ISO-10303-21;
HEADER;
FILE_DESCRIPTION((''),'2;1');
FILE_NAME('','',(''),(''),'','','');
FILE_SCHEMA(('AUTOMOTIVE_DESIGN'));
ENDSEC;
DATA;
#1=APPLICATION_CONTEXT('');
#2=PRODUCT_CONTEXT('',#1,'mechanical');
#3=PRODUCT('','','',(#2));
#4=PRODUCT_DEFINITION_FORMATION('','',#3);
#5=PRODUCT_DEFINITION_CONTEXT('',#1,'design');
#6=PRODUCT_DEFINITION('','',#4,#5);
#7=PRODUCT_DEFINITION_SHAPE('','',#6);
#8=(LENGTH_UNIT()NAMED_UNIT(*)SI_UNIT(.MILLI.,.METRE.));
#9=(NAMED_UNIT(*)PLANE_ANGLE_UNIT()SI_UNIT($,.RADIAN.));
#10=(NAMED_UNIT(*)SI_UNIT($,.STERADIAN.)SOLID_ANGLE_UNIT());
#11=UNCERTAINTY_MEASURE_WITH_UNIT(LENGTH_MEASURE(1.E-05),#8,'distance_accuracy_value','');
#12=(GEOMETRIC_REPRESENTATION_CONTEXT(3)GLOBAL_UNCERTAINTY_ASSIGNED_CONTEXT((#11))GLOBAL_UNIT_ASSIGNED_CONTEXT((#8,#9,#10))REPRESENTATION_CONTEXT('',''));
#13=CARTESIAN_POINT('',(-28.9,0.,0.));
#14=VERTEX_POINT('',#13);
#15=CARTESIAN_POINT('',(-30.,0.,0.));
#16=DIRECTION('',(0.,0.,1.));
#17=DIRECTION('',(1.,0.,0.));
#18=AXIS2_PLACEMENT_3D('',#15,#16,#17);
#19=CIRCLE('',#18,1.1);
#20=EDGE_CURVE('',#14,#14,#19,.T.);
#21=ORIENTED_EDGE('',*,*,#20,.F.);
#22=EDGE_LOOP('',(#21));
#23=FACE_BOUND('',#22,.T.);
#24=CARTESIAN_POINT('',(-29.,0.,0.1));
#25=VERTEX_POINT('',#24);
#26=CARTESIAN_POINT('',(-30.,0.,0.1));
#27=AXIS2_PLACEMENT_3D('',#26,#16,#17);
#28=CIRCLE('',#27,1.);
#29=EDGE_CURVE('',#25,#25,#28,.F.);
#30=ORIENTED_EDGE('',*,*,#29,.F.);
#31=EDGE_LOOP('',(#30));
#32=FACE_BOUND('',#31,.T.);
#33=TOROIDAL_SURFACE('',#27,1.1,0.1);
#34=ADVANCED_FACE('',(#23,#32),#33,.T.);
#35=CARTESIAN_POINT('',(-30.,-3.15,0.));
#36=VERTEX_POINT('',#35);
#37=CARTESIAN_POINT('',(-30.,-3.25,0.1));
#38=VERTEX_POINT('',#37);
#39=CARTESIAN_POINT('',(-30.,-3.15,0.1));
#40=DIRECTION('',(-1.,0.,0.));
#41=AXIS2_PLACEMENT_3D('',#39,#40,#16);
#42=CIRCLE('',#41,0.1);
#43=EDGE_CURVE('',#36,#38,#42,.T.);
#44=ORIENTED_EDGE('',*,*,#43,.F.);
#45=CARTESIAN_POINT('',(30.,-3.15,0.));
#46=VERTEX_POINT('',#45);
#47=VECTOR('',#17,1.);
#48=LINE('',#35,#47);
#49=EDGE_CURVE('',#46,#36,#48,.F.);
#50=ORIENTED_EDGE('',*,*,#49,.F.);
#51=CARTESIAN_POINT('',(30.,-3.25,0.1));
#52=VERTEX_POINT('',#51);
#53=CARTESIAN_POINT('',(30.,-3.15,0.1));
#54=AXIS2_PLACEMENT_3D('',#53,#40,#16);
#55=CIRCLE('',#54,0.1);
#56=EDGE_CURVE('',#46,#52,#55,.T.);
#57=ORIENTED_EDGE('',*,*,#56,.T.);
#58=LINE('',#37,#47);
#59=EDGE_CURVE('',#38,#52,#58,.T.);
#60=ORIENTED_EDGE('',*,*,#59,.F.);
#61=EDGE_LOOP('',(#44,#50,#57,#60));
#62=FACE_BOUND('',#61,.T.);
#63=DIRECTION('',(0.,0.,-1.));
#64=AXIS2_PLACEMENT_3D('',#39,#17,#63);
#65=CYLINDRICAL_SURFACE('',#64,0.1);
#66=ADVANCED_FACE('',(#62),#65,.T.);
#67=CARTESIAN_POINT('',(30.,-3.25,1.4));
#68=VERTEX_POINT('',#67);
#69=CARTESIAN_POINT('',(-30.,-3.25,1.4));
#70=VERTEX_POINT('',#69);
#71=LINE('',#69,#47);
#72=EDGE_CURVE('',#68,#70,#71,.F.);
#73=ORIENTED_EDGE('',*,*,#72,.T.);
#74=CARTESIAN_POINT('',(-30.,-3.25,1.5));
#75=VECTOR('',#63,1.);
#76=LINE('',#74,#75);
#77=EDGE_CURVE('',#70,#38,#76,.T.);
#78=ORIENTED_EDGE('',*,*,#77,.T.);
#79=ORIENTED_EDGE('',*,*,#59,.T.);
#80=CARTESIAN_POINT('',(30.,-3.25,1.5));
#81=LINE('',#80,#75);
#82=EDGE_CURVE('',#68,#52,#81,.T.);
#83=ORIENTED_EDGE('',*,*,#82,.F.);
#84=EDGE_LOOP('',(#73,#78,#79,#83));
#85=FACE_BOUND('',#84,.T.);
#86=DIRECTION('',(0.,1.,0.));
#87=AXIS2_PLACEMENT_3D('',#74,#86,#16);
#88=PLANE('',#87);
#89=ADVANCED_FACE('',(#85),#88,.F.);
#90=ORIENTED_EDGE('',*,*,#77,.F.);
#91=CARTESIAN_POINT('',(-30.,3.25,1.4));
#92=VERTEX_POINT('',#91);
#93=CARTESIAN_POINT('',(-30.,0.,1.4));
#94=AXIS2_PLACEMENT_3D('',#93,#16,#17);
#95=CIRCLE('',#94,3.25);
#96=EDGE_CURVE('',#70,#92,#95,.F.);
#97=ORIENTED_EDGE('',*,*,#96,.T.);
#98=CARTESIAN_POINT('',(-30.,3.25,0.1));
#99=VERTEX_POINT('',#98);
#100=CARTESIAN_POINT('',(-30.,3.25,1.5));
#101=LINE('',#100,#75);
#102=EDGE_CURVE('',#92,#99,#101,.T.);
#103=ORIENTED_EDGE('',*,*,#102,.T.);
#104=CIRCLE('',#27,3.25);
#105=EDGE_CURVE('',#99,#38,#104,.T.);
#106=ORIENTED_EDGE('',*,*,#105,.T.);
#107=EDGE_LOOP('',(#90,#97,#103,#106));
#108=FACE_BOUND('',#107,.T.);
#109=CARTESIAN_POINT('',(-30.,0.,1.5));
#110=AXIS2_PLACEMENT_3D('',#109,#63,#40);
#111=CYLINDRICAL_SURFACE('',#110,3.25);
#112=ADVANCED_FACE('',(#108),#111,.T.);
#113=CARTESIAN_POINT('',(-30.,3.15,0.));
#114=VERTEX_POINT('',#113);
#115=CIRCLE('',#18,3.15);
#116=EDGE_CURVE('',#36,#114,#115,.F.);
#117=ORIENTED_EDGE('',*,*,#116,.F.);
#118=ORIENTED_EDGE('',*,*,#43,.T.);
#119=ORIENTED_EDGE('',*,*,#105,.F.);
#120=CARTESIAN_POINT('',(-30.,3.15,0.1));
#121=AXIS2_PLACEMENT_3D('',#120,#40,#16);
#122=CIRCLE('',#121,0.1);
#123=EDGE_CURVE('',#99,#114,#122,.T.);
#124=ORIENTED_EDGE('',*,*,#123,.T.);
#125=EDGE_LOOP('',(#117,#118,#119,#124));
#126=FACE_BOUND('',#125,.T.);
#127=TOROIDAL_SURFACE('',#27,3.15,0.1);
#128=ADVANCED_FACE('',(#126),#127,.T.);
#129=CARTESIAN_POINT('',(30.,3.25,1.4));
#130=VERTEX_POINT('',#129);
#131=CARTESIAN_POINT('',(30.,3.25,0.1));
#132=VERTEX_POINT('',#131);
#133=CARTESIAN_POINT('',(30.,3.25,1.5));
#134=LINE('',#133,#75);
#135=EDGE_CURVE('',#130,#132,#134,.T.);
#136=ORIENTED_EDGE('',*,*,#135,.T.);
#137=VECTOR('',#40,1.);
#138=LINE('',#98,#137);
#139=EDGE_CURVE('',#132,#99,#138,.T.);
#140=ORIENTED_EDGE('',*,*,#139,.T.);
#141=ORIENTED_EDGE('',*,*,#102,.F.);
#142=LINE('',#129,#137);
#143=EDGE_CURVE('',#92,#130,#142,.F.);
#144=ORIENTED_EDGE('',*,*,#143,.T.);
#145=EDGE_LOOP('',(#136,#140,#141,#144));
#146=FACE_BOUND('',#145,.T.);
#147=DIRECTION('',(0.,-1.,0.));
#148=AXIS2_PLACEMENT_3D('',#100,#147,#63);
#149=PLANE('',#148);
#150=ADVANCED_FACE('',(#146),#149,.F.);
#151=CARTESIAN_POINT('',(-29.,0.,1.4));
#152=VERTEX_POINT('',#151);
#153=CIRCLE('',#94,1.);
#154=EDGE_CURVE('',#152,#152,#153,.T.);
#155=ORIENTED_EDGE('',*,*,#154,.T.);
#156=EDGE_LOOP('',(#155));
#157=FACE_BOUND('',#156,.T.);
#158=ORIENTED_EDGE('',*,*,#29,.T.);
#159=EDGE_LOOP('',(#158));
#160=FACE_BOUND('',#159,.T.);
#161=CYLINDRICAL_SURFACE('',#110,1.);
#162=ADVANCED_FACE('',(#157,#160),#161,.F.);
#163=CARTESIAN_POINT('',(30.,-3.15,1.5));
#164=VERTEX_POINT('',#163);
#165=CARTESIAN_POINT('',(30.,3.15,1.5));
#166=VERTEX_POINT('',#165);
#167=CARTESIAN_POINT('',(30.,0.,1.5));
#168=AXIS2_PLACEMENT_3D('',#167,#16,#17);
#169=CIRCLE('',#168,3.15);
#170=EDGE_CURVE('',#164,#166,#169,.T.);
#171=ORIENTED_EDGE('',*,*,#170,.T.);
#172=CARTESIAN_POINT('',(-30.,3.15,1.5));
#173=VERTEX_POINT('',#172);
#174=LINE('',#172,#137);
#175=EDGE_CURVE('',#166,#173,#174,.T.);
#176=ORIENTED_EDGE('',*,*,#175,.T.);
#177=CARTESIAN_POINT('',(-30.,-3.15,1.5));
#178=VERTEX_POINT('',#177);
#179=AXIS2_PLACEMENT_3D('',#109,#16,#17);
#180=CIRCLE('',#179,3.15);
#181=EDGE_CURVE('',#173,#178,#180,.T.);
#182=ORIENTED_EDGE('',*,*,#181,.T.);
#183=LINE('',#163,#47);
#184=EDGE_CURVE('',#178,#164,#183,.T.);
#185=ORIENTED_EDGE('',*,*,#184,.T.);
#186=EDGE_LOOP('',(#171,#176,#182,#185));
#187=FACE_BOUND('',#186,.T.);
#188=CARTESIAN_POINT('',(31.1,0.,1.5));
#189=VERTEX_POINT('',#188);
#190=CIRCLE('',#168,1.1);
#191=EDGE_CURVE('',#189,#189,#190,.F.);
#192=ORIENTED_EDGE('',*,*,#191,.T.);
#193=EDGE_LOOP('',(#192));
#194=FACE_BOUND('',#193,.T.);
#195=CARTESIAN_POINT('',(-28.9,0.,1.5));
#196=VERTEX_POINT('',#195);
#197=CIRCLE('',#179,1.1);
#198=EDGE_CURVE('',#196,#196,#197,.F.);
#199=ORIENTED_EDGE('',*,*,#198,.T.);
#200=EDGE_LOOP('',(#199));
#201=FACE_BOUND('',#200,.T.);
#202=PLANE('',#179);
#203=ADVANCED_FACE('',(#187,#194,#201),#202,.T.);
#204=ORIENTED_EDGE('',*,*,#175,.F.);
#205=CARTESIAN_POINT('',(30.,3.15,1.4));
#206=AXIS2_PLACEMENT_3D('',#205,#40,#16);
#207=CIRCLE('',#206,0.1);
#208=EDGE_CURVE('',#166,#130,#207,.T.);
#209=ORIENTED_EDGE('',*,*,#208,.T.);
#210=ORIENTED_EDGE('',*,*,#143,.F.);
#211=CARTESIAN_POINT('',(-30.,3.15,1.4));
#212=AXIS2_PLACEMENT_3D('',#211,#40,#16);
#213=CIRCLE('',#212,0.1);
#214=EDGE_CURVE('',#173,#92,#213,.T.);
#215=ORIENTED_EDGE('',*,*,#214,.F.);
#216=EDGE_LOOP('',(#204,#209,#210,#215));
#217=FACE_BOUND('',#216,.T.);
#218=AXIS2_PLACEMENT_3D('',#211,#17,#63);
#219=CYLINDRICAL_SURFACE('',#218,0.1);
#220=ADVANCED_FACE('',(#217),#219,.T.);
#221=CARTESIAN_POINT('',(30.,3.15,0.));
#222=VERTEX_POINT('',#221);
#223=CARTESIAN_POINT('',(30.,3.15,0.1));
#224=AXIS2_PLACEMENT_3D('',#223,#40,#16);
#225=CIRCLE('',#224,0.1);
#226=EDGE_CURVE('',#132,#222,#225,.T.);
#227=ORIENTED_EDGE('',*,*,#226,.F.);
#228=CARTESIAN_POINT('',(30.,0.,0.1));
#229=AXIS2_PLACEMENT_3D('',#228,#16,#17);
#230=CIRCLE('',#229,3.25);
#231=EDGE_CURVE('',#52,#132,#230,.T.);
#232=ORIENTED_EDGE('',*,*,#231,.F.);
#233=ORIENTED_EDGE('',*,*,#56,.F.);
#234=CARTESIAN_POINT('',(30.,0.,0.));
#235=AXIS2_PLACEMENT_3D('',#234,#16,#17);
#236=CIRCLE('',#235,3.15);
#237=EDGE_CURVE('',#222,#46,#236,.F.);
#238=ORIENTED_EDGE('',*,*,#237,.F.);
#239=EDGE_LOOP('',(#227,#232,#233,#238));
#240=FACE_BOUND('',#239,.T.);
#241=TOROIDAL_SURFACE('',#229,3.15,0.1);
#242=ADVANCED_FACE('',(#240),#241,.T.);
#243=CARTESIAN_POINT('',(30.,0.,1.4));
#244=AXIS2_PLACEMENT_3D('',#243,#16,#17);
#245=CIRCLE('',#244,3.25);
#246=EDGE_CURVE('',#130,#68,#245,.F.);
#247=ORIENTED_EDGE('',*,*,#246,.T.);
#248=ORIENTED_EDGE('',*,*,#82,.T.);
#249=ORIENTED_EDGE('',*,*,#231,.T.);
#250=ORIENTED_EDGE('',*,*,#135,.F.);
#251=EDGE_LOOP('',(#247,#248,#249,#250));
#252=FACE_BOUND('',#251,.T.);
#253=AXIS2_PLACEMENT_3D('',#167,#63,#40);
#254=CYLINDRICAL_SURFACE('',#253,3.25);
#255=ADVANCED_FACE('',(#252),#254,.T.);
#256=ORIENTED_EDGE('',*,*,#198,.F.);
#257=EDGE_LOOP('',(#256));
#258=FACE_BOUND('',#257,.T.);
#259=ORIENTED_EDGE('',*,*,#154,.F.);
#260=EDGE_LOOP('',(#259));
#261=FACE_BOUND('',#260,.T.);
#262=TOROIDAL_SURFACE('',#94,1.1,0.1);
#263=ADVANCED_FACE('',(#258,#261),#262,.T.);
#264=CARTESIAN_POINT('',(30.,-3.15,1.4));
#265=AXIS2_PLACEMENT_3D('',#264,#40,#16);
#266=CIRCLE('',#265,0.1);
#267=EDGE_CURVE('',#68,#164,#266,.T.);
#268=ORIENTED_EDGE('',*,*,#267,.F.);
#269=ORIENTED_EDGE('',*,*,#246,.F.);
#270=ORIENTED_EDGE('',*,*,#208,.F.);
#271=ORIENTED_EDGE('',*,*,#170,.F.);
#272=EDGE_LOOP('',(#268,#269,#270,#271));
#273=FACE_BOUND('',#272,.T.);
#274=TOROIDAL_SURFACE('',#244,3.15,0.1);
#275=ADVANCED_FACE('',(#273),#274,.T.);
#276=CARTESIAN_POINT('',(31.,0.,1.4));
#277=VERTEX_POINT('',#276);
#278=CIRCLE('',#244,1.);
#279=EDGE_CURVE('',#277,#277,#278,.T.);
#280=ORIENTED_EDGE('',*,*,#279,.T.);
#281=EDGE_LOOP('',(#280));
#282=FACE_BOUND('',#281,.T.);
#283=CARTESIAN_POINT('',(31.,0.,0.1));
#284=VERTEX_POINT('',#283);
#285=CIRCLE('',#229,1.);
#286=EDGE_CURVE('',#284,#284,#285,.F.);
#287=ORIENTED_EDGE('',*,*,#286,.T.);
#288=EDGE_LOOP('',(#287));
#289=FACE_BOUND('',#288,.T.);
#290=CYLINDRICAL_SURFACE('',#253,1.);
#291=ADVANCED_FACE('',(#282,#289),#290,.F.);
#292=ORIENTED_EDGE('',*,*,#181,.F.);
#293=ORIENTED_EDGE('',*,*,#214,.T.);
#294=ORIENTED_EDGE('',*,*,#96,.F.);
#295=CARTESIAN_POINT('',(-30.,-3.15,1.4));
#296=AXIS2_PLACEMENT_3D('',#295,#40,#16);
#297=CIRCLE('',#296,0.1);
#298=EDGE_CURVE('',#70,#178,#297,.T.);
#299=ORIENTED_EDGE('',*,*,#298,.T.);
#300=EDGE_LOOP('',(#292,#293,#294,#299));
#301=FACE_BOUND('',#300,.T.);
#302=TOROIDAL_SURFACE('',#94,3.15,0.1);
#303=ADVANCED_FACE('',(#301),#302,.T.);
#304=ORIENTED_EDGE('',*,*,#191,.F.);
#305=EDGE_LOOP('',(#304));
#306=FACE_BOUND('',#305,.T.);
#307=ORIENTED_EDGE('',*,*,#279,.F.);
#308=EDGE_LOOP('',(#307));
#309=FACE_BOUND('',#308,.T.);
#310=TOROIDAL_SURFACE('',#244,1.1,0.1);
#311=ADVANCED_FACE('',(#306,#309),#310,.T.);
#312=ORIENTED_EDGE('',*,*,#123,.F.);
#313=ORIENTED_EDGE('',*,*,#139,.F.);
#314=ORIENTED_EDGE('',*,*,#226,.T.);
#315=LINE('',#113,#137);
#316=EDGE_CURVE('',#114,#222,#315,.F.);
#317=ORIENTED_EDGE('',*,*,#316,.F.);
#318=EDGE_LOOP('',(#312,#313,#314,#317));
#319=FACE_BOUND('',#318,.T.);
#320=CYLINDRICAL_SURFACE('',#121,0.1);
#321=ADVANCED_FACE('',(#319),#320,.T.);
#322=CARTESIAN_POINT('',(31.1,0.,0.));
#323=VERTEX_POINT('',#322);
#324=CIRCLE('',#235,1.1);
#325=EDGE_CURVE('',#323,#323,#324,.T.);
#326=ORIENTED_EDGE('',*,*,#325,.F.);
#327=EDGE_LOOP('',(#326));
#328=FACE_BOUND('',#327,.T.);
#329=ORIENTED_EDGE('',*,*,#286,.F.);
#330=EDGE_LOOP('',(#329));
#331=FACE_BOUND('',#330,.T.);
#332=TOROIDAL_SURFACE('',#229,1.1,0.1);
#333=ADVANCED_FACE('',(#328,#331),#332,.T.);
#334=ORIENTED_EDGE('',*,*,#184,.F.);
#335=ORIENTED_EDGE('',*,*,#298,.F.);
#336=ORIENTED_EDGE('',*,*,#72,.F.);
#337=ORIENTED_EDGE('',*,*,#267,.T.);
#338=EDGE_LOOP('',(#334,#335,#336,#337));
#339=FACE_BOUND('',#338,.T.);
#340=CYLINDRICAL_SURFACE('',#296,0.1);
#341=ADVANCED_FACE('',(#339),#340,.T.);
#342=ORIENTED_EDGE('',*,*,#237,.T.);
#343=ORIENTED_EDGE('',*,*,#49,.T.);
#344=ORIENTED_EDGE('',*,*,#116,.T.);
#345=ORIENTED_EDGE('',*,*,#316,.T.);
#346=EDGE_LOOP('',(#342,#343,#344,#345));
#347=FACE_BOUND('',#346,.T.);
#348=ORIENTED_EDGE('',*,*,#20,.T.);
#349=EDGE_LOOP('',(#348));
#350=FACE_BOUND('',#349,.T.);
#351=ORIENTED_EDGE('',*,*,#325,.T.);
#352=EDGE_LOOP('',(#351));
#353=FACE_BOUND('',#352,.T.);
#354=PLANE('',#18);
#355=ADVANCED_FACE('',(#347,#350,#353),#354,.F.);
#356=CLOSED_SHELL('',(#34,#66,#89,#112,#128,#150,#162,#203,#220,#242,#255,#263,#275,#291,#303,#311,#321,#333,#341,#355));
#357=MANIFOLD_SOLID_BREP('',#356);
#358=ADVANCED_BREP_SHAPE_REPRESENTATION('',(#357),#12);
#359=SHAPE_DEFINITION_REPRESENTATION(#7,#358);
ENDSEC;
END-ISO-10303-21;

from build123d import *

# Parameters (mm, degrees)
SKETCH1_R           = 1
BOSS_EXTRUDE1_DEPTH = 1.5
FILLET1_R           = 0.1


with BuildPart() as part:
    # Sketch1 → Boss-Extrude1 (new body)
    with BuildSketch(Plane.XY):
        with BuildLine():
            Line((-30, 3.25), (30, 3.25))
            ThreePointArc((30, 3.25), (33.25, 0), (30, -3.25))
            Line((30, -3.25), (-30, -3.25))
            ThreePointArc((-30, -3.25), (-33.25, 0), (-30, 3.25))
        make_face()
        with Locations((-30, 0)):
            Circle(SKETCH1_R, mode=Mode.SUBTRACT)
        with Locations((30, 0)):
            Circle(SKETCH1_R, mode=Mode.SUBTRACT)
    extrude(amount=BOSS_EXTRUDE1_DEPTH)

    # Fillet1
    fillet1_edges = [part.edges().sort_by_distance(p)[0] for p in [
        (33.25, 0, 1.5),
        (-31, 0, 0),
        (-31, 0, 1.5),
        (0, 3.25, 1.5),
        (29, 0, 0),
        (29, 0, 1.5),
        (-33.25, 0, 1.5),
        (0, 3.25, 0),
        (33.25, 0, 0),
        (0, -3.25, 0),
        (-33.25, 0, 0),
        (0, -3.25, 1.5),
    ]]
    fillet(fillet1_edges, radius=FILLET1_R)


solid = part.part
